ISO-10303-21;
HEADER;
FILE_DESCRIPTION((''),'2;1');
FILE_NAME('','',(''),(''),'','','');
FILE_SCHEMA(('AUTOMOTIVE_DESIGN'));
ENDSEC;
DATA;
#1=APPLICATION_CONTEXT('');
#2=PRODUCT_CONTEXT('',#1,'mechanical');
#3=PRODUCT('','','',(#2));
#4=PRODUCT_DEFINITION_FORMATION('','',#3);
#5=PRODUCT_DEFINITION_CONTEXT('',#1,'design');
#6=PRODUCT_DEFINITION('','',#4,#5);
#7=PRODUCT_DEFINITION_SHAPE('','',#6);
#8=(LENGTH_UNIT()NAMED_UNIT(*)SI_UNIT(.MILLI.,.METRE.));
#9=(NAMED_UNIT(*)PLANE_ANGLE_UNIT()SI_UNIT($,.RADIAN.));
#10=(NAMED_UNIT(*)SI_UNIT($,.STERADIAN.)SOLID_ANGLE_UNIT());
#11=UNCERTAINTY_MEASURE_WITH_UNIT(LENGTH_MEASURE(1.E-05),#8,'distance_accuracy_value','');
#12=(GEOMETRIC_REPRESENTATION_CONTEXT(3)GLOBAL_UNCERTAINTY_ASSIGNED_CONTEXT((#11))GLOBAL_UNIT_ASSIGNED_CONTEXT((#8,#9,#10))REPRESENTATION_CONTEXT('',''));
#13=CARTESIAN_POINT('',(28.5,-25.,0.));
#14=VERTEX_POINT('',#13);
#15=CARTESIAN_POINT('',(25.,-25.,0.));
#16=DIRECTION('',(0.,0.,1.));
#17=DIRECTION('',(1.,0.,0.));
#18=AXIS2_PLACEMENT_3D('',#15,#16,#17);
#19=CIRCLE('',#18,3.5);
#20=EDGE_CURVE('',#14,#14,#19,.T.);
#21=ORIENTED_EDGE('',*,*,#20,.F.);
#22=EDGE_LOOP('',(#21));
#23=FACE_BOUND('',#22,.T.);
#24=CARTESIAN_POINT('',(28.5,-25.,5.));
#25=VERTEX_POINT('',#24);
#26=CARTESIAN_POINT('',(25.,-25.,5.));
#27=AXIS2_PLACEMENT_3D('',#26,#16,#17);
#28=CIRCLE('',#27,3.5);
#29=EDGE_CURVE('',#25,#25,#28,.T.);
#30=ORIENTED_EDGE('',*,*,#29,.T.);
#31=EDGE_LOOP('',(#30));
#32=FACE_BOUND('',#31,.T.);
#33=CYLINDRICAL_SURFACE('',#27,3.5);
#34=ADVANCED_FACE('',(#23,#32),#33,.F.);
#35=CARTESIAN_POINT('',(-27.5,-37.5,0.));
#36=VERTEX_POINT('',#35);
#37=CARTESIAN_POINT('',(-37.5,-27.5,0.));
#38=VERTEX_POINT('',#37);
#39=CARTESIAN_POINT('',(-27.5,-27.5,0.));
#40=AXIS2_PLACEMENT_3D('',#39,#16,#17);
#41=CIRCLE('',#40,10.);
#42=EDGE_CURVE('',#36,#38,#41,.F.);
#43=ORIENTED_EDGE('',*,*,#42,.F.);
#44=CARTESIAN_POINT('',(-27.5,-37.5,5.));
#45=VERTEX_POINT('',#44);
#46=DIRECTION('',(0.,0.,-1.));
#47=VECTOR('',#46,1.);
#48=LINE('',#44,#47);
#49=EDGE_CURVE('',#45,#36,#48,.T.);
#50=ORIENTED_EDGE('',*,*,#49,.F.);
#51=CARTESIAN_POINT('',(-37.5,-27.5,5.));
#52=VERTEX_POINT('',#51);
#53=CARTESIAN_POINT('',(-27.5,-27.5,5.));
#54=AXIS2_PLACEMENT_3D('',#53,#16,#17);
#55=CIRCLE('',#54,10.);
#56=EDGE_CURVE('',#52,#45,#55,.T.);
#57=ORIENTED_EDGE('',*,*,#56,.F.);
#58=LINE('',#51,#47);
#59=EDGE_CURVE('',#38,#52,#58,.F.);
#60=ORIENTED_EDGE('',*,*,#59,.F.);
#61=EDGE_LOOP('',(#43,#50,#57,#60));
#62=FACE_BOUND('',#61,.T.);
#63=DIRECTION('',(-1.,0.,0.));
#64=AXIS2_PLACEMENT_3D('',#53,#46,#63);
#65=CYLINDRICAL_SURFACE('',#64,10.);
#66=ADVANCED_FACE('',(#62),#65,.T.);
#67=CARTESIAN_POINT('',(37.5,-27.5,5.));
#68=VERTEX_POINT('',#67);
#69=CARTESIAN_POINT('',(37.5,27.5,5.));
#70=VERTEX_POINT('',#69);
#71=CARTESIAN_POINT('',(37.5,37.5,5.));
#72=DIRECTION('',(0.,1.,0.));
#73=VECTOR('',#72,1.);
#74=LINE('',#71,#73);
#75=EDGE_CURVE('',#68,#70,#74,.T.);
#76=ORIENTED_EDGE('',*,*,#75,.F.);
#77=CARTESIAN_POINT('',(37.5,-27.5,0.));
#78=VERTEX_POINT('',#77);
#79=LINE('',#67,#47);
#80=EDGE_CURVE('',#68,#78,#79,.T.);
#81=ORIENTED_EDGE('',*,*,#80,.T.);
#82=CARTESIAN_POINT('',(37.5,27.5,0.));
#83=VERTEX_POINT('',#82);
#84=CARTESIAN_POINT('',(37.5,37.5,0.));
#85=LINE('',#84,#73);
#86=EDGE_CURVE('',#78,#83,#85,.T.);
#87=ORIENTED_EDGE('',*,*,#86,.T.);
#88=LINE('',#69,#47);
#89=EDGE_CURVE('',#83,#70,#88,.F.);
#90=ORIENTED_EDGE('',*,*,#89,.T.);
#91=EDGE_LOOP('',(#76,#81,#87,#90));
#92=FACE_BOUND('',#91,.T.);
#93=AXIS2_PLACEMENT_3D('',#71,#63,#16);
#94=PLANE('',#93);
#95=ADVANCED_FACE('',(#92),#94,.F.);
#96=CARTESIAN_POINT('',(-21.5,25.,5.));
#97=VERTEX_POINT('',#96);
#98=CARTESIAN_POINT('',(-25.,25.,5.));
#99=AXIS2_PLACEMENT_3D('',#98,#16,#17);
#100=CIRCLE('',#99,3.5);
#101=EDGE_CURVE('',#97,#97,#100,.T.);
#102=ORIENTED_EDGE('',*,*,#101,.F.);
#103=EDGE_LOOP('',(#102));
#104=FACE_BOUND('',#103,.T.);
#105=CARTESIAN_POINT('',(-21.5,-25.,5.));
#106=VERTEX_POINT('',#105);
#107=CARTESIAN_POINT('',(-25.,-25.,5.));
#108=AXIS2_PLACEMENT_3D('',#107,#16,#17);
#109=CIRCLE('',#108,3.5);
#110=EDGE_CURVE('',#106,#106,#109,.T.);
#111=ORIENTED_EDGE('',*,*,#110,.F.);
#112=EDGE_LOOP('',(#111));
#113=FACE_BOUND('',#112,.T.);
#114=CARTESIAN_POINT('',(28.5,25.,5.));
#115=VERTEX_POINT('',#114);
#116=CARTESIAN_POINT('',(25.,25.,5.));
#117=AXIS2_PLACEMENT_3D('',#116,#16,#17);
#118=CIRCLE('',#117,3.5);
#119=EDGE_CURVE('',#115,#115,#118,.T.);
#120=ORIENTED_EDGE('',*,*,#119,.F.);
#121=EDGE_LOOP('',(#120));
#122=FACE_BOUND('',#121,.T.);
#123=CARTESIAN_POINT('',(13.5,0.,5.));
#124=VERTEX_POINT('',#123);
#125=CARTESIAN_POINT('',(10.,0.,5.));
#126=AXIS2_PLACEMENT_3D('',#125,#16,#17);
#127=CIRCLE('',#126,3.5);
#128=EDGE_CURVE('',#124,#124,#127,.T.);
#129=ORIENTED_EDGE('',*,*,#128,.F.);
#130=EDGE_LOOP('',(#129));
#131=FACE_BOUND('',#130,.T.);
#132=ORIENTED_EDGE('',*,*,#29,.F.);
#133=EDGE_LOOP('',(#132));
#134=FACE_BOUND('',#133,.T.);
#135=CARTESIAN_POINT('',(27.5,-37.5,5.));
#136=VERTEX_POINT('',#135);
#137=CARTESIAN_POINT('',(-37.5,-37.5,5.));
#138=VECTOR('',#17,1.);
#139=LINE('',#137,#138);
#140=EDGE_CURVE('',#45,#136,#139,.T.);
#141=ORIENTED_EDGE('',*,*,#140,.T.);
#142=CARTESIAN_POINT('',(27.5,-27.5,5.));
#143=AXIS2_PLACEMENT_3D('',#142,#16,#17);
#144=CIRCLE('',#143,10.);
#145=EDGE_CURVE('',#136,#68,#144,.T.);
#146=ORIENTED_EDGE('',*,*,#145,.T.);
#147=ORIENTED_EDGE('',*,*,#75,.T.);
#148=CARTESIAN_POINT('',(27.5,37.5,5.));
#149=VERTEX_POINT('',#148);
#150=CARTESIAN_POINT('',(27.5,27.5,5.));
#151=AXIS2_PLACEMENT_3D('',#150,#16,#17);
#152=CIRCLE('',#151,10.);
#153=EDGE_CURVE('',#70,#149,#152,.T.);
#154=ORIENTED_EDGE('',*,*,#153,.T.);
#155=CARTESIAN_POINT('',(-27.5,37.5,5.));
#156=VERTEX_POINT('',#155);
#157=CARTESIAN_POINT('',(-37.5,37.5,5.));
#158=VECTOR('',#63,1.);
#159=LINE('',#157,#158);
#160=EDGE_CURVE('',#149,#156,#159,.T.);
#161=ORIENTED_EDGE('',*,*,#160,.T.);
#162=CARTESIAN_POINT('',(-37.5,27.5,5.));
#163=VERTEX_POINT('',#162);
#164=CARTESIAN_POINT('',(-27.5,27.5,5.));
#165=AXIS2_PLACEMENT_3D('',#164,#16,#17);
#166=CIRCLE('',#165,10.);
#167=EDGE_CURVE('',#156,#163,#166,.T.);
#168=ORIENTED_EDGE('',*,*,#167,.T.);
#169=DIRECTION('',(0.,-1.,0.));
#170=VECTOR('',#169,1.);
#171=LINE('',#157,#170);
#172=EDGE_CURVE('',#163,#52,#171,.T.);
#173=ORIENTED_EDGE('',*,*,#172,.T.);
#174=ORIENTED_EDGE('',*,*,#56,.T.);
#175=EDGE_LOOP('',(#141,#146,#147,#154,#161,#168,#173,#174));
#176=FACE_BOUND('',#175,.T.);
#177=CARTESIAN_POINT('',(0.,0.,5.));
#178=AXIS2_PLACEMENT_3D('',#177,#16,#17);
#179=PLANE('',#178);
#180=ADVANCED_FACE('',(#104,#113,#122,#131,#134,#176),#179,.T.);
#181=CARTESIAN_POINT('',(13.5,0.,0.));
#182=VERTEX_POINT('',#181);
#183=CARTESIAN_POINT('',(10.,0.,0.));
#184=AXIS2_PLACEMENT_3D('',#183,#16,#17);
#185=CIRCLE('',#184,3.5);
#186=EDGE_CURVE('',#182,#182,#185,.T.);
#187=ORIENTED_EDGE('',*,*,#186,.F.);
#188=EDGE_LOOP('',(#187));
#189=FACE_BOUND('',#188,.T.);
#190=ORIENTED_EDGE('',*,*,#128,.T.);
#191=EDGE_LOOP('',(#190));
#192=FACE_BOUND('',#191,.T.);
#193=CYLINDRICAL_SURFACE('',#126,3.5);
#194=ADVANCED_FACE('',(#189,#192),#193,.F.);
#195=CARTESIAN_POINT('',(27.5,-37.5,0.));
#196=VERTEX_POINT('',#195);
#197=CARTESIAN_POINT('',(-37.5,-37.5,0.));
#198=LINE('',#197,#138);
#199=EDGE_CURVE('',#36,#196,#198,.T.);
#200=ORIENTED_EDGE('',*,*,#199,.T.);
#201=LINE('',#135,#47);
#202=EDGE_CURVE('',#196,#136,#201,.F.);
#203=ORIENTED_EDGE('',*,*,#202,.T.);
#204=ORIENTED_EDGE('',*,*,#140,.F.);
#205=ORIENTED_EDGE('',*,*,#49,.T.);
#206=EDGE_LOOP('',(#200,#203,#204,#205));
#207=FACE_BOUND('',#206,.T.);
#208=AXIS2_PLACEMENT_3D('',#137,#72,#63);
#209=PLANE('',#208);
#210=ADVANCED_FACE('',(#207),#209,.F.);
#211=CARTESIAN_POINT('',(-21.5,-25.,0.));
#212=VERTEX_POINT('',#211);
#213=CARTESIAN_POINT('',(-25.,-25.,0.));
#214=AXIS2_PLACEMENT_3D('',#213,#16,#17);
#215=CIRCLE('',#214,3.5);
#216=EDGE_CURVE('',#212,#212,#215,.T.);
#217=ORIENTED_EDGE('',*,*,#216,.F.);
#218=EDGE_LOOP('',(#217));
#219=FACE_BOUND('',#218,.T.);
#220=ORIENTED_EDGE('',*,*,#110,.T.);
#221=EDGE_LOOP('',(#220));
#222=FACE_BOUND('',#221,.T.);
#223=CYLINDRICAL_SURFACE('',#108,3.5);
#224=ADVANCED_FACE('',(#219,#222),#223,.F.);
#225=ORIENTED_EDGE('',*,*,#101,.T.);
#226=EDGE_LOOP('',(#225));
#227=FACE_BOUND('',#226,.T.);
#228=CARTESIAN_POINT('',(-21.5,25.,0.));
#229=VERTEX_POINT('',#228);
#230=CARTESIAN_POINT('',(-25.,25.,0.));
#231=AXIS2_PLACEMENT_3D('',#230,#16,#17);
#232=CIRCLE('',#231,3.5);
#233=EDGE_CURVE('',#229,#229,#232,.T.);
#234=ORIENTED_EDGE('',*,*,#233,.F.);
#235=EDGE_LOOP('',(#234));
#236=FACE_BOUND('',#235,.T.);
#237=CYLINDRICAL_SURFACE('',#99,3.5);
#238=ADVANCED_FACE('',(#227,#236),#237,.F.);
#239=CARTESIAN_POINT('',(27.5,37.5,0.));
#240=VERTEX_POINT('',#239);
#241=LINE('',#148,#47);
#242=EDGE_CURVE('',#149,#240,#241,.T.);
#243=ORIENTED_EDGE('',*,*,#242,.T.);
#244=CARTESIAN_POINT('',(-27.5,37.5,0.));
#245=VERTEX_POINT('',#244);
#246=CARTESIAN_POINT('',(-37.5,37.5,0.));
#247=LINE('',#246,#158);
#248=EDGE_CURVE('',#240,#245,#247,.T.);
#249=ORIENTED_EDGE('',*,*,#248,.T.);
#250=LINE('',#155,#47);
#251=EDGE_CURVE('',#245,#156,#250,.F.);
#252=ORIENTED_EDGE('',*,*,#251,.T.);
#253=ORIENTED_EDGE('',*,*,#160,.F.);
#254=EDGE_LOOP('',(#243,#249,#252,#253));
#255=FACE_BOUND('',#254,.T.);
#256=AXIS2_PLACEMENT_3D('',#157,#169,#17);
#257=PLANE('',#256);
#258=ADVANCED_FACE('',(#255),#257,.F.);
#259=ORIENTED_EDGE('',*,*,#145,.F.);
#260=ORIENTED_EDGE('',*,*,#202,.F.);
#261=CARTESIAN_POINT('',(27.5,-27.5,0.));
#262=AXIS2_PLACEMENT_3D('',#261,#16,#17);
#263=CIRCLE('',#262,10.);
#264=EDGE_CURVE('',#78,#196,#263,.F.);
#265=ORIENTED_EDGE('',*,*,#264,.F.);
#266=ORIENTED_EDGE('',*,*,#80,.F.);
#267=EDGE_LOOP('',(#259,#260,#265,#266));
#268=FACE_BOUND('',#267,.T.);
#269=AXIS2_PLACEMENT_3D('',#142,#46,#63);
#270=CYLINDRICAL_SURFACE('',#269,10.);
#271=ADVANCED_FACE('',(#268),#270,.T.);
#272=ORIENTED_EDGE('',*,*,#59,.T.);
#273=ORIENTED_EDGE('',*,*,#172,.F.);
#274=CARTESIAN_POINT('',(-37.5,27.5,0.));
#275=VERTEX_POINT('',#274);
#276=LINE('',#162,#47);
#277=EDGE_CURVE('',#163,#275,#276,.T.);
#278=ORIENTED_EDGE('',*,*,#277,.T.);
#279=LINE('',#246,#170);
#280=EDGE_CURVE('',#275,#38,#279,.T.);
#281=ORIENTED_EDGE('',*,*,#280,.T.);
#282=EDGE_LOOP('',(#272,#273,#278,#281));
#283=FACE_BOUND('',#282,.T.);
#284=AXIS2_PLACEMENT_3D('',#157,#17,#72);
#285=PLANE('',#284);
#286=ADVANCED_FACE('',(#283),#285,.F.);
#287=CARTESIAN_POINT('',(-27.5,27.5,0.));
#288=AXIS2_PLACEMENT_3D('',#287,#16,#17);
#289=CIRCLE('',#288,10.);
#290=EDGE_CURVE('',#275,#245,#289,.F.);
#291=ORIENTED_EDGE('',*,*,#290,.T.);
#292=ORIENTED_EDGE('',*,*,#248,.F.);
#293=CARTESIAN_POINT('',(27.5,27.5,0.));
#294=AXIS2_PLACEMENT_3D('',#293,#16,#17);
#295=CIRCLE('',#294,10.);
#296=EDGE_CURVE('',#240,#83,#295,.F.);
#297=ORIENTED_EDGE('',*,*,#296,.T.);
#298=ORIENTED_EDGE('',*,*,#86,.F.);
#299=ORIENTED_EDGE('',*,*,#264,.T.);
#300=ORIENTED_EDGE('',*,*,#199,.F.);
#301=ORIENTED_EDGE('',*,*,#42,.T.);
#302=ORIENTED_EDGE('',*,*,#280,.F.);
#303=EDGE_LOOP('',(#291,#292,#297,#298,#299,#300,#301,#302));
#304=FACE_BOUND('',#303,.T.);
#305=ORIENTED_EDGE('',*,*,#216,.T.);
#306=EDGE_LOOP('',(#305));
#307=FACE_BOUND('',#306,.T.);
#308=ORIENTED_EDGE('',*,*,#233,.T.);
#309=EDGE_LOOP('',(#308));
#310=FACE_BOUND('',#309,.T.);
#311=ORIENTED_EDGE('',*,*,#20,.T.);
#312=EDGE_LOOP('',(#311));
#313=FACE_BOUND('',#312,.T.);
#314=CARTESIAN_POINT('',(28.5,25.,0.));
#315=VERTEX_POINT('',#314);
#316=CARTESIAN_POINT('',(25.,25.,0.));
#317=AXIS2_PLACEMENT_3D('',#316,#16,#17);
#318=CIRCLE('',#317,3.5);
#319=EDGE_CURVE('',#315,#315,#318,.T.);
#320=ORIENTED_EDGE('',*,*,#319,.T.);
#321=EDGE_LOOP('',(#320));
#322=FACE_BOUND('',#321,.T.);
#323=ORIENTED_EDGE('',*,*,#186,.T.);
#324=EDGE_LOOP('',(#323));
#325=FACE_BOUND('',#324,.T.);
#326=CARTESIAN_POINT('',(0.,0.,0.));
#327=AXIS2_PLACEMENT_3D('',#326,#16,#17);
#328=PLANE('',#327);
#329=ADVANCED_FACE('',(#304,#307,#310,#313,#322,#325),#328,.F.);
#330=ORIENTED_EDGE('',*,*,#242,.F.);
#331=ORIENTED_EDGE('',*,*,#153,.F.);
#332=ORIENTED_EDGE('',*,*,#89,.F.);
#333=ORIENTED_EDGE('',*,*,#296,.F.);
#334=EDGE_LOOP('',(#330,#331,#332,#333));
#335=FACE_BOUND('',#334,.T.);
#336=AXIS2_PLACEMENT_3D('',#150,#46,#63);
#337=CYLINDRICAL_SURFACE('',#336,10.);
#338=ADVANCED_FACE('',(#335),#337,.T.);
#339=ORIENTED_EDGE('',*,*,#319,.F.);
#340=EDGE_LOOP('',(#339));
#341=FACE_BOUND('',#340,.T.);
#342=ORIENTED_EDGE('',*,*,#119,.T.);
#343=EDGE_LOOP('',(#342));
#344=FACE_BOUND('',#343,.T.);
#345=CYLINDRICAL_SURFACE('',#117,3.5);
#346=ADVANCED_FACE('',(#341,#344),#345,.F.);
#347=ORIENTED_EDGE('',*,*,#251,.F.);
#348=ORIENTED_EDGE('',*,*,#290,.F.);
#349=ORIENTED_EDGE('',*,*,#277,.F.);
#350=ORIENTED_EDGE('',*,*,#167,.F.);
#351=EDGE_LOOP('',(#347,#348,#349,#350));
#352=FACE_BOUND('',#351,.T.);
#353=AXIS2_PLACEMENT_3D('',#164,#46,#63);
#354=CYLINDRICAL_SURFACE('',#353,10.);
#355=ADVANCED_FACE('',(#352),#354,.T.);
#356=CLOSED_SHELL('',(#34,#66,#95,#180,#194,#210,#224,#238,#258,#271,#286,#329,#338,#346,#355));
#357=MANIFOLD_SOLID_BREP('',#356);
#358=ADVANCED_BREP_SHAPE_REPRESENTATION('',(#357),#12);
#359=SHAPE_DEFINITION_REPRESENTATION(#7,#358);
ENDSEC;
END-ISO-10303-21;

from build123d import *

# Parameters (mm, degrees)
SKETCH1_W                = 75
SKETCH1_H                = 75
BOSS_EXTRUDE1_DEPTH      = 5
F_7_0_7_DIAMETER_HOLE2_D = 7
FILLET1_R                = 10
F_7_0_7_DIAMETER_HOLE1_D = 7


with BuildPart() as part:
    # Sketch1 → Boss-Extrude1 (new body)
    with BuildSketch(Plane.XY):
        Rectangle(SKETCH1_W, SKETCH1_H)
    extrude(amount=BOSS_EXTRUDE1_DEPTH)

    # Ø7.0 (7) Diameter Hole2 (through all)
    with Locations(Plane.XY.offset(5)):
        with Locations((-25, 25), (-25, -25), (25, -25), (25, 25)):
            Hole(F_7_0_7_DIAMETER_HOLE2_D / 2)

    # Fillet1
    fillet1_edges = [part.edges().sort_by_distance(p)[0] for p in [
        (-37.5, 37.5, 2.5),
        (37.5, 37.5, 2.5),
        (37.5, -37.5, 2.5),
        (-37.5, -37.5, 2.5),
    ]]
    fillet(fillet1_edges, radius=FILLET1_R)

    # Ø7.0 (7) Diameter Hole1 (through all)
    with Locations(Plane.XY.offset(5)):
        with Locations((10, 0)):
            Hole(F_7_0_7_DIAMETER_HOLE1_D / 2)


solid = part.part
